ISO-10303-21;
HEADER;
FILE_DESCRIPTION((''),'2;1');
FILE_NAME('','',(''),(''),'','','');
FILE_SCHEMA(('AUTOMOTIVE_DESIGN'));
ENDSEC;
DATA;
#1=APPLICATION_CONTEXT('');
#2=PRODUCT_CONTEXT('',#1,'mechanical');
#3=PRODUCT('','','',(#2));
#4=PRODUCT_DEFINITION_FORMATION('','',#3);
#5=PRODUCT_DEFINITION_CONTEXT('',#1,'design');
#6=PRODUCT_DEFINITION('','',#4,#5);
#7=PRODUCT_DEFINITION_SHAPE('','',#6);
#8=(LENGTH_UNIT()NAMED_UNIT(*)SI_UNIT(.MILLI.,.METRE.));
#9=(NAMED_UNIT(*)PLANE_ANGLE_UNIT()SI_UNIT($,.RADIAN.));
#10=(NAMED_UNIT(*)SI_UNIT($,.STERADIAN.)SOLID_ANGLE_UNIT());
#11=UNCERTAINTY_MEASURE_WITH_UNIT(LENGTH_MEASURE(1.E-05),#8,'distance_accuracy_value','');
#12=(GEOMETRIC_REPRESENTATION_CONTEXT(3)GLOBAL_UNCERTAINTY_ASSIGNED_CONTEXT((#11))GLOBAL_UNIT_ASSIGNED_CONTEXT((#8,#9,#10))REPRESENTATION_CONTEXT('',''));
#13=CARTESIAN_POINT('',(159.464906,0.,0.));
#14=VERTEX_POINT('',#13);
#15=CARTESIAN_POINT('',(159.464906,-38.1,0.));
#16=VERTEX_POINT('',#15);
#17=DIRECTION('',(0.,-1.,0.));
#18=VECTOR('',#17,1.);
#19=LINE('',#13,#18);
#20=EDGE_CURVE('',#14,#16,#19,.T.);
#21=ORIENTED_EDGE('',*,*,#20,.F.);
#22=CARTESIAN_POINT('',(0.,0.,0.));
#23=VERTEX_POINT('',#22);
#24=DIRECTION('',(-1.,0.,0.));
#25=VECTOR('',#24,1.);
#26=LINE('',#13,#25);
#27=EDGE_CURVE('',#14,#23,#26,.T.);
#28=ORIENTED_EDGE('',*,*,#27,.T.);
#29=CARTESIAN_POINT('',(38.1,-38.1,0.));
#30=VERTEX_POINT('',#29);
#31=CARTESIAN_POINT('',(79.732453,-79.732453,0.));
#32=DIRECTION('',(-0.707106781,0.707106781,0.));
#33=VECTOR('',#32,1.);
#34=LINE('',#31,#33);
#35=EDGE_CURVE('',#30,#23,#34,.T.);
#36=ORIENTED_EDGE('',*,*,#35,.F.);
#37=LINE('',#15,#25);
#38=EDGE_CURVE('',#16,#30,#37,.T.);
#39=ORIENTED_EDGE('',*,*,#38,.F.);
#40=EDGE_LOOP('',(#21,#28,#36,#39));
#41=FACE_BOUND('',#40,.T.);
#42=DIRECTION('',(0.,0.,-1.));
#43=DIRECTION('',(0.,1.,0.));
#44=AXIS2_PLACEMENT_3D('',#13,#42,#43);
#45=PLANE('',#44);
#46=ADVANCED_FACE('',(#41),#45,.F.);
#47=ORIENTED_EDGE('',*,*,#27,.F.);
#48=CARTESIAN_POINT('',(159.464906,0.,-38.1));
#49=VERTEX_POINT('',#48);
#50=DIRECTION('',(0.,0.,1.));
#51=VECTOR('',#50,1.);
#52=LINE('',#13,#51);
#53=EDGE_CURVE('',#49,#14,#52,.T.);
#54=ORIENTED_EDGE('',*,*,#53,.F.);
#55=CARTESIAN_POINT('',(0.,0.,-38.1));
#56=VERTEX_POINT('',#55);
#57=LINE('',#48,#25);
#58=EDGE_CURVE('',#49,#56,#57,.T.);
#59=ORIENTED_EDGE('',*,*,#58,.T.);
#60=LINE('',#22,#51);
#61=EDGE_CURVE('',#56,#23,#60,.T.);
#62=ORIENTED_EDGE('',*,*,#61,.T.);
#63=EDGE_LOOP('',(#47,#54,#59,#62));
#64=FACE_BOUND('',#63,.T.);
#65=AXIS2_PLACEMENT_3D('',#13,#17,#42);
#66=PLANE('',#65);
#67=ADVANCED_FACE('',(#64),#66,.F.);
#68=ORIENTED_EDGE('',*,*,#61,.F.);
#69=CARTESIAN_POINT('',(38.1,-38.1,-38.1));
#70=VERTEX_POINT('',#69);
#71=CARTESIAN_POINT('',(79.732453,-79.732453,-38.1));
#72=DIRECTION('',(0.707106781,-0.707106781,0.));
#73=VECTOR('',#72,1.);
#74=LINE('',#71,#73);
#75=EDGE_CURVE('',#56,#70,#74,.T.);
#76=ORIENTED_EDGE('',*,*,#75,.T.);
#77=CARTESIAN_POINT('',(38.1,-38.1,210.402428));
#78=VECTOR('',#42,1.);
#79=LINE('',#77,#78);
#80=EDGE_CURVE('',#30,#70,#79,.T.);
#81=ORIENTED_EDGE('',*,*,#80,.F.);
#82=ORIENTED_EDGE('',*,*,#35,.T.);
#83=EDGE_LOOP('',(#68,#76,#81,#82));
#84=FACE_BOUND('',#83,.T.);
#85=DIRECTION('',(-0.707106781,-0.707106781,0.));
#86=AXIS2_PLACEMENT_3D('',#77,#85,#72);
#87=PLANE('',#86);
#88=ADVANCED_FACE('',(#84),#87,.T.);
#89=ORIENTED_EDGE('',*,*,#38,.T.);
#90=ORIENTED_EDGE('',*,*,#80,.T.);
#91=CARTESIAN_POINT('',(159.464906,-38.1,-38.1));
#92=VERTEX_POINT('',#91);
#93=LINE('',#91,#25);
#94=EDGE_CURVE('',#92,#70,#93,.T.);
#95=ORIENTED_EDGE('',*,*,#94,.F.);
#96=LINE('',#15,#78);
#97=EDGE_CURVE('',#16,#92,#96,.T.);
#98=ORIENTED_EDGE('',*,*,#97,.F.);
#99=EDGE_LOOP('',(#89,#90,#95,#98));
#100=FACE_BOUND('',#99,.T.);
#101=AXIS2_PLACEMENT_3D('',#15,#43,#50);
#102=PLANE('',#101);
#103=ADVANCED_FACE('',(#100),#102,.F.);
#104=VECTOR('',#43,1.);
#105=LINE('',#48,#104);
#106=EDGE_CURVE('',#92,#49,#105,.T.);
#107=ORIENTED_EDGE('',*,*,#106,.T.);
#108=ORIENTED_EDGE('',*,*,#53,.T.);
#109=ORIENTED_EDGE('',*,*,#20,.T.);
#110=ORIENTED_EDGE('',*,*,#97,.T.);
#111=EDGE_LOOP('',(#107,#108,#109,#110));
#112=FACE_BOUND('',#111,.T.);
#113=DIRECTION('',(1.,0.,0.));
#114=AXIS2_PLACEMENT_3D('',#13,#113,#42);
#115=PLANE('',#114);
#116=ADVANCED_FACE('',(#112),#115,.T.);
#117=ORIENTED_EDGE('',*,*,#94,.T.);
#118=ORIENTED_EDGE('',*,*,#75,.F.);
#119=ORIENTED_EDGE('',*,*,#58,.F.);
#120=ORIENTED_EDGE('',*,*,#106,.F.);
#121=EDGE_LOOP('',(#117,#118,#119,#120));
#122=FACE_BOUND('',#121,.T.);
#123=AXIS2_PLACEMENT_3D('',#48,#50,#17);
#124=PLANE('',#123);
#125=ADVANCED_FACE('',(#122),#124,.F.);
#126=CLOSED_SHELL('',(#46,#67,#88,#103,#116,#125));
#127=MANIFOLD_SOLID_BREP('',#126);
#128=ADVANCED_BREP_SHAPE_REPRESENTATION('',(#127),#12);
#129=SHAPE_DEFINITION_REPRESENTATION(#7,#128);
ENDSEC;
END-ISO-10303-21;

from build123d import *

# Parameters (mm, degrees)
SKETCH1_W               = 38.1
SKETCH1_H               = 38.1
BOSS_EXTRUDE1_DEPTH     = 159.46490586
CUT_EXTRUDE1_DEPTH      = 169.321942126
CUT_EXTRUDE1_DEPTH_BACK = 169.321942126


with BuildPart() as part:
    # Sketch1 → Boss-Extrude1 (new body)
    with BuildSketch(Plane(origin=(0, 0, 0), x_dir=(0, 0, -1), z_dir=(1, 0, 0))):
        with Locations((19.05, -19.05)):
            Rectangle(SKETCH1_W, SKETCH1_H)
    extrude(amount=BOSS_EXTRUDE1_DEPTH)

    # Sketch2 → Cut-Extrude1 (cut, two sides: drawn at the far end of the back side and taken through both)
    with BuildSketch(Plane.XY.offset(-CUT_EXTRUDE1_DEPTH_BACK)):
        Polygon((-337.906487895, -38.1), (0, -38.1), (38.1, -38.1), (0, 0), (-238.935968998, 238.935968998), (-875.356194741, 466.295759882), (-974.326713639, 189.259790884), align=None)
    extrude(amount=CUT_EXTRUDE1_DEPTH + CUT_EXTRUDE1_DEPTH_BACK, mode=Mode.SUBTRACT)


solid = part.part
